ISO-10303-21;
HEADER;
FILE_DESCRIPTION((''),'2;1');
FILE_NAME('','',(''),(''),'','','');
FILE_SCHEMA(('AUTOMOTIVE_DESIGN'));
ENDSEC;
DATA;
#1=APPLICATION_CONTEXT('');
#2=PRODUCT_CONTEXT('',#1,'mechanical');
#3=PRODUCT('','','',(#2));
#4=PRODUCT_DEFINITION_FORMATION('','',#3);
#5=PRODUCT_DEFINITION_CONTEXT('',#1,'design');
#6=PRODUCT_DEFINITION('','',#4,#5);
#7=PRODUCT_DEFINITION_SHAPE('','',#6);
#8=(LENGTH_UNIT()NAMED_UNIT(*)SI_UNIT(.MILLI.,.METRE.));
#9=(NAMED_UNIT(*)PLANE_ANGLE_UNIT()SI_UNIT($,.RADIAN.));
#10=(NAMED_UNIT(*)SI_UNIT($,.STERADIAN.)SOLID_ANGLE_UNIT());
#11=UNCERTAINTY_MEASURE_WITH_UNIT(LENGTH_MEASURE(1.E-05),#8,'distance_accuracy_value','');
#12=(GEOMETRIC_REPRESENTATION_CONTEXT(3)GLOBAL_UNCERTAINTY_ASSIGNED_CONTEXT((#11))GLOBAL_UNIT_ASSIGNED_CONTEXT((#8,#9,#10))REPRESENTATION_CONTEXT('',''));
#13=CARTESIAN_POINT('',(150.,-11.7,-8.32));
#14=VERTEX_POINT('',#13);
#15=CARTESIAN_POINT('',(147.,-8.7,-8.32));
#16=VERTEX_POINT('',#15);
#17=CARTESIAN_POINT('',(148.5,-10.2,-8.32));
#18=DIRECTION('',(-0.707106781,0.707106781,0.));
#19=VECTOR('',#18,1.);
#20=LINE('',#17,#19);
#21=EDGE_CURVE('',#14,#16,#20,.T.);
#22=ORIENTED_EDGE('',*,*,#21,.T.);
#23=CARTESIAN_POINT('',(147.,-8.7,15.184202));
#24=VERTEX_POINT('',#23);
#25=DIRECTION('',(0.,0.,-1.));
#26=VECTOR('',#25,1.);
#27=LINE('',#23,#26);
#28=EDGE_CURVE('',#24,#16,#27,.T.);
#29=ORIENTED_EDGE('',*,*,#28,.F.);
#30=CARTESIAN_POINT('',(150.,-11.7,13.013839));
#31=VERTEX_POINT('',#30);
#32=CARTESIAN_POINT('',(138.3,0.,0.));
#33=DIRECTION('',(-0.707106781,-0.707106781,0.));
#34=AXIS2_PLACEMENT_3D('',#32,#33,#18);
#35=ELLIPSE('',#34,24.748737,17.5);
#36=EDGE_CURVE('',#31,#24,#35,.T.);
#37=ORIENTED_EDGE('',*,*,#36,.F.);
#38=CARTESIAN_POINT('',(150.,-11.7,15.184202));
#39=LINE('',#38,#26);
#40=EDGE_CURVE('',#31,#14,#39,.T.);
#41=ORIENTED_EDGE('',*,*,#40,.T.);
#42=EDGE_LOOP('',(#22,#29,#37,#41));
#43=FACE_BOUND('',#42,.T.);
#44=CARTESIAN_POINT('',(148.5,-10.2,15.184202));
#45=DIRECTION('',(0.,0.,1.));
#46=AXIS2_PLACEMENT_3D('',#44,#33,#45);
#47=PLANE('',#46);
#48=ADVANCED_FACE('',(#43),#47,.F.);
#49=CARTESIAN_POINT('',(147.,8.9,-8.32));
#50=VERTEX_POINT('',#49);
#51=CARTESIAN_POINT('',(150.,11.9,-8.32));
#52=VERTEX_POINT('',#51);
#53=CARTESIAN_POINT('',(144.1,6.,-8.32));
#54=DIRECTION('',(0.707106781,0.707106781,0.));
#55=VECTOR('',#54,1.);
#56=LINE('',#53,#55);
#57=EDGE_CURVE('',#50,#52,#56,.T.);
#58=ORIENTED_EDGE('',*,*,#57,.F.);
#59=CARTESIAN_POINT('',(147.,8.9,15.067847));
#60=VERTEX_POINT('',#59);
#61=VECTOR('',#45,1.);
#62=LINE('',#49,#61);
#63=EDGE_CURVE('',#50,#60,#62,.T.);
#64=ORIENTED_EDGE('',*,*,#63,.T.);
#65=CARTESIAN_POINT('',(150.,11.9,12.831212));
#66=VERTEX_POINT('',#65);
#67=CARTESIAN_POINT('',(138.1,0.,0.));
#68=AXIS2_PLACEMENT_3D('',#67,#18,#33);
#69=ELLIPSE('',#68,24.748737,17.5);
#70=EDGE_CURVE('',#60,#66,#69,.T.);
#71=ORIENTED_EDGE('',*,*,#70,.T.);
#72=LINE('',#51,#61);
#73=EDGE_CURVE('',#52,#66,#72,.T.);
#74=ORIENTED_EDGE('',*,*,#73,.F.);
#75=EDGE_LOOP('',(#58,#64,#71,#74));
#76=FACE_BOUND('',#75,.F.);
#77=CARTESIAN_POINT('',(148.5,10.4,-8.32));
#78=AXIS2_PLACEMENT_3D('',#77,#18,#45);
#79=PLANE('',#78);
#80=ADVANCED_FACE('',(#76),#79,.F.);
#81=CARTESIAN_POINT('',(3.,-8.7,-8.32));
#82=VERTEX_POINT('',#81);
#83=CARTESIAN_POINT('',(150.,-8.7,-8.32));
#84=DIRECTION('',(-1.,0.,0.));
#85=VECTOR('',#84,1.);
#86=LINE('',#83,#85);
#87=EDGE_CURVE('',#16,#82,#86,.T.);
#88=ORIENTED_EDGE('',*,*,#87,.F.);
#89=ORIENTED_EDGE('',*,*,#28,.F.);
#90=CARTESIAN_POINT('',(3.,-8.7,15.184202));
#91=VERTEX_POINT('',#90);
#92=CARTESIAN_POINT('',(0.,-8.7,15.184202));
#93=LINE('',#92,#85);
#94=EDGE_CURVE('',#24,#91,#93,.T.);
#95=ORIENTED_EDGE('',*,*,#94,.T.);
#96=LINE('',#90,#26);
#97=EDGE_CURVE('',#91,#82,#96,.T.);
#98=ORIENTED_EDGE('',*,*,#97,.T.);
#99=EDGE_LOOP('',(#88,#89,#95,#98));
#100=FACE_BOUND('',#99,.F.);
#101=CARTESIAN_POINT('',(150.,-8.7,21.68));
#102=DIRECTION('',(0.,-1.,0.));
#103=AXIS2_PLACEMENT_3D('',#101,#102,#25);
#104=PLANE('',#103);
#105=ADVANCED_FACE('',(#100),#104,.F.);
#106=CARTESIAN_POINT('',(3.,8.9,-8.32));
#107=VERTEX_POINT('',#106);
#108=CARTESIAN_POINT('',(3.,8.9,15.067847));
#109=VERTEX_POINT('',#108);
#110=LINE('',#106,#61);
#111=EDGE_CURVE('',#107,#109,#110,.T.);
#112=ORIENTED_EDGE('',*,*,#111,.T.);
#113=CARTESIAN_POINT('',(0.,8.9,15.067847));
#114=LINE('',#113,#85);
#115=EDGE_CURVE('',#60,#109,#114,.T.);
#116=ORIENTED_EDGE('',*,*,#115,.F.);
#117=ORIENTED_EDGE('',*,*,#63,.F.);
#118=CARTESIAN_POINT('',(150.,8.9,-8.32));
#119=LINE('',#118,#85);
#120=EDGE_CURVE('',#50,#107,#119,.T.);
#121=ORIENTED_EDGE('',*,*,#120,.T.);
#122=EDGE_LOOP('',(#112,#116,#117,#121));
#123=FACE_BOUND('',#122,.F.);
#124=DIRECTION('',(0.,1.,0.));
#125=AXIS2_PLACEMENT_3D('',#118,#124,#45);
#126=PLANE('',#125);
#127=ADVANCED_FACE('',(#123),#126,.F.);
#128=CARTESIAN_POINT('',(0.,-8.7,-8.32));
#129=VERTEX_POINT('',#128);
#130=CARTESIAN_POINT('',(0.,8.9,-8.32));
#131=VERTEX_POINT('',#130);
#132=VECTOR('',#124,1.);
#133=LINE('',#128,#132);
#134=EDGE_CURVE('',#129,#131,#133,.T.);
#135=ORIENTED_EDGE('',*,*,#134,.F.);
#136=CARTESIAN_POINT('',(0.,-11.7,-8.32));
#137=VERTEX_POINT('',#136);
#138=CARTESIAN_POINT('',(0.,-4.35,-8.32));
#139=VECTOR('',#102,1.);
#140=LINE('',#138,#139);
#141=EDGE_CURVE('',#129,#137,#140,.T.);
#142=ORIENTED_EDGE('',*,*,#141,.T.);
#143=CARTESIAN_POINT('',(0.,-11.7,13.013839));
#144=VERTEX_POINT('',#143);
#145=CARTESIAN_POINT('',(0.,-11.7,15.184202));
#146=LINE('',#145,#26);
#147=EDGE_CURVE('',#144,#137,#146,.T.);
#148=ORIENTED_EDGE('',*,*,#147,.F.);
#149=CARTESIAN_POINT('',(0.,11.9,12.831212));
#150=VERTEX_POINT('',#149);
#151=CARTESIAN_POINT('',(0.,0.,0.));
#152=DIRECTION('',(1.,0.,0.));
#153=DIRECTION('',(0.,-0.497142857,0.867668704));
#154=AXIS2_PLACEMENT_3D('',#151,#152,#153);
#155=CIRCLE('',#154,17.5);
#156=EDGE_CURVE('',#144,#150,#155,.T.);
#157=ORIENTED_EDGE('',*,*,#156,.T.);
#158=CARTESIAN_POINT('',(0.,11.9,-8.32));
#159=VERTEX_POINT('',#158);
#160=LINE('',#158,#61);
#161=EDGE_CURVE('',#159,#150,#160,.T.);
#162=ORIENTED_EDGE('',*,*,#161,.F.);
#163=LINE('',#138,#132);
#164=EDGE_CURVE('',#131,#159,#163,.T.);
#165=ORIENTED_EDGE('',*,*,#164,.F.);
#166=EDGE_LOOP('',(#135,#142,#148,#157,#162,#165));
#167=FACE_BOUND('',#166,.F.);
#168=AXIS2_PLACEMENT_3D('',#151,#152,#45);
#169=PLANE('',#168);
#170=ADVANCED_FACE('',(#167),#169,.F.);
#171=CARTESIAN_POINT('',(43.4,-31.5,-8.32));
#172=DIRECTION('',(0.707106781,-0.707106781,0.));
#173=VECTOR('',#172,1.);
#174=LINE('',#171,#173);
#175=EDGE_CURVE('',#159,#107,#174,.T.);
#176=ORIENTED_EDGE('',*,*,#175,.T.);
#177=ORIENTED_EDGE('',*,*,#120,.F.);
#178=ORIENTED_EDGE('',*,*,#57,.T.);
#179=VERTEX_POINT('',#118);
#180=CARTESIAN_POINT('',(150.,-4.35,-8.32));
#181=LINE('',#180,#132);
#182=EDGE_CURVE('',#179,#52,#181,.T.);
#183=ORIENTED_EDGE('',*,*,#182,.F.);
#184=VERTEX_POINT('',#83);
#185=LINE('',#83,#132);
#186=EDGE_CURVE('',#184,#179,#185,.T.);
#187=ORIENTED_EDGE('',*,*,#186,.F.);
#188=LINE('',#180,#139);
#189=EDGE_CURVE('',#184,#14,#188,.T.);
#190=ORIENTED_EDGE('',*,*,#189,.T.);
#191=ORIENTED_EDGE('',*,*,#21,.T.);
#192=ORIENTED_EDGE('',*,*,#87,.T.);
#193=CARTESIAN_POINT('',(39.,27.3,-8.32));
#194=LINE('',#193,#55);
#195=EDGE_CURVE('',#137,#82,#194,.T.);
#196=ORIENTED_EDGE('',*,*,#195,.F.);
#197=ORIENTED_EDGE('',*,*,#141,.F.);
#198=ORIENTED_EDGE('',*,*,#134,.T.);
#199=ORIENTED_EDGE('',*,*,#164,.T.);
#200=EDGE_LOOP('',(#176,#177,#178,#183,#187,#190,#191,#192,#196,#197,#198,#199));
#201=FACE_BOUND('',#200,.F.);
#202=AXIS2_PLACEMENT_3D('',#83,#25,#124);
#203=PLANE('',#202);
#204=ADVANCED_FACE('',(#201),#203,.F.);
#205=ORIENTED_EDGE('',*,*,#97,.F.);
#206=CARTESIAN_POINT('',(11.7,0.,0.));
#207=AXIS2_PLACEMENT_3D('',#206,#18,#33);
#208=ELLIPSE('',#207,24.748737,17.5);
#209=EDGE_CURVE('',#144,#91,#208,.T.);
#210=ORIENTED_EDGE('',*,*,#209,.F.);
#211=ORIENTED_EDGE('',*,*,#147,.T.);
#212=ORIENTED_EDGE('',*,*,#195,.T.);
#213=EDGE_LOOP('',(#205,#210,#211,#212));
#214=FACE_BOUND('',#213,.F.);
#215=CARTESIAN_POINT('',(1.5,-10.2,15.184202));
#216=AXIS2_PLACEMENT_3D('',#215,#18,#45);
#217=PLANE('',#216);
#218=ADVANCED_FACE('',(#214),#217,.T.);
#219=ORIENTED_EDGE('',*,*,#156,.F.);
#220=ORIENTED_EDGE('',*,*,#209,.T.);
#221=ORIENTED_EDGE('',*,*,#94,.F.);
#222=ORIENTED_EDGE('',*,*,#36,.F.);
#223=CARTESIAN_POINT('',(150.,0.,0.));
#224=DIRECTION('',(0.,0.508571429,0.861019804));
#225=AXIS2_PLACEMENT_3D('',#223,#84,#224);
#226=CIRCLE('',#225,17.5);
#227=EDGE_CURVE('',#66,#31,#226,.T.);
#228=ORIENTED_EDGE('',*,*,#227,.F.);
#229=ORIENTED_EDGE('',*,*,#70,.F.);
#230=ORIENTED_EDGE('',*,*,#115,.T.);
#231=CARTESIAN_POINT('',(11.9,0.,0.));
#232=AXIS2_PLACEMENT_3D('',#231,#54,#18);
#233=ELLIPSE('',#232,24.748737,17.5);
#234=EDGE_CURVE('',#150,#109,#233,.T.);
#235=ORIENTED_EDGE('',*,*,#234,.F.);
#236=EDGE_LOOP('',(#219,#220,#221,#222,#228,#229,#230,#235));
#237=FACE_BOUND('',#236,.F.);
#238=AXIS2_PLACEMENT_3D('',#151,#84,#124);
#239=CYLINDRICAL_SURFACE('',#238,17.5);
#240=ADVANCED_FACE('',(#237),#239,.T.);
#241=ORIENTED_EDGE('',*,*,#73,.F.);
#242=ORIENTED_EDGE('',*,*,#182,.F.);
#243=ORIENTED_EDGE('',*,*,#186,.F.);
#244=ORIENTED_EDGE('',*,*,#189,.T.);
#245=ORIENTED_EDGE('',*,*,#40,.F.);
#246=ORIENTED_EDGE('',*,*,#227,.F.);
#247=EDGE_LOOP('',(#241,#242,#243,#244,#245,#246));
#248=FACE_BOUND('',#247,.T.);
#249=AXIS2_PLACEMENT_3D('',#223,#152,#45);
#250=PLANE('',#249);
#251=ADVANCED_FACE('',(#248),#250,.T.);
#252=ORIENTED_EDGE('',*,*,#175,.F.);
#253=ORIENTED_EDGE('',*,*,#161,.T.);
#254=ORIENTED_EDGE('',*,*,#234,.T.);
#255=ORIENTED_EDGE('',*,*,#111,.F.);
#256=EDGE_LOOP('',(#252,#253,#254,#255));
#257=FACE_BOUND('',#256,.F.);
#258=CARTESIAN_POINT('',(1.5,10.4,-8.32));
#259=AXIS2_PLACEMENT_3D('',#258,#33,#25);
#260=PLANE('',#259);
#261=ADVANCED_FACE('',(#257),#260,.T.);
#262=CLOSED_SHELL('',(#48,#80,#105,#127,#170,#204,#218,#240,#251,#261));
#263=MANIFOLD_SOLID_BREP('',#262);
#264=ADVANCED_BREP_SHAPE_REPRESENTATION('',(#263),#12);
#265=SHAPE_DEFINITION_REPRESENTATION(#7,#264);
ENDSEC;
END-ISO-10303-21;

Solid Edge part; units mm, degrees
sketch "Sketch1" plane through (0, 0, 0) normal (1, 0, 0) x (0, 1, 0)
  circle A0 centre (0, 0) radius 17.5
extrude "Protrusion1" add sketch "Sketch1" along normal blind 150
sketch "Sketch2" plane through (150, 0, 0) normal (1, 0, 0) x (0, 1, 0)
  line L0 (8.9, -8.32) -> (8.9, 21.68)
  line L1 (8.9, 21.68) -> (-8.7, 21.68)
  line L2 (-8.7, 21.68) -> (-8.7, -8.32)
  line L3 (-8.7, -8.32) -> (8.9, -8.32)
extrude "ExtrudedCutout_1" cut sketch "Sketch2" against normal blind 150
chamfer "Chamfer_1" distance 3 angle 45 4 edges at (150, 8.9, 3.3739) (150, -8.7, 3.4321) (0, 8.9, 3.3739) (0, -8.7, 3.4321)
